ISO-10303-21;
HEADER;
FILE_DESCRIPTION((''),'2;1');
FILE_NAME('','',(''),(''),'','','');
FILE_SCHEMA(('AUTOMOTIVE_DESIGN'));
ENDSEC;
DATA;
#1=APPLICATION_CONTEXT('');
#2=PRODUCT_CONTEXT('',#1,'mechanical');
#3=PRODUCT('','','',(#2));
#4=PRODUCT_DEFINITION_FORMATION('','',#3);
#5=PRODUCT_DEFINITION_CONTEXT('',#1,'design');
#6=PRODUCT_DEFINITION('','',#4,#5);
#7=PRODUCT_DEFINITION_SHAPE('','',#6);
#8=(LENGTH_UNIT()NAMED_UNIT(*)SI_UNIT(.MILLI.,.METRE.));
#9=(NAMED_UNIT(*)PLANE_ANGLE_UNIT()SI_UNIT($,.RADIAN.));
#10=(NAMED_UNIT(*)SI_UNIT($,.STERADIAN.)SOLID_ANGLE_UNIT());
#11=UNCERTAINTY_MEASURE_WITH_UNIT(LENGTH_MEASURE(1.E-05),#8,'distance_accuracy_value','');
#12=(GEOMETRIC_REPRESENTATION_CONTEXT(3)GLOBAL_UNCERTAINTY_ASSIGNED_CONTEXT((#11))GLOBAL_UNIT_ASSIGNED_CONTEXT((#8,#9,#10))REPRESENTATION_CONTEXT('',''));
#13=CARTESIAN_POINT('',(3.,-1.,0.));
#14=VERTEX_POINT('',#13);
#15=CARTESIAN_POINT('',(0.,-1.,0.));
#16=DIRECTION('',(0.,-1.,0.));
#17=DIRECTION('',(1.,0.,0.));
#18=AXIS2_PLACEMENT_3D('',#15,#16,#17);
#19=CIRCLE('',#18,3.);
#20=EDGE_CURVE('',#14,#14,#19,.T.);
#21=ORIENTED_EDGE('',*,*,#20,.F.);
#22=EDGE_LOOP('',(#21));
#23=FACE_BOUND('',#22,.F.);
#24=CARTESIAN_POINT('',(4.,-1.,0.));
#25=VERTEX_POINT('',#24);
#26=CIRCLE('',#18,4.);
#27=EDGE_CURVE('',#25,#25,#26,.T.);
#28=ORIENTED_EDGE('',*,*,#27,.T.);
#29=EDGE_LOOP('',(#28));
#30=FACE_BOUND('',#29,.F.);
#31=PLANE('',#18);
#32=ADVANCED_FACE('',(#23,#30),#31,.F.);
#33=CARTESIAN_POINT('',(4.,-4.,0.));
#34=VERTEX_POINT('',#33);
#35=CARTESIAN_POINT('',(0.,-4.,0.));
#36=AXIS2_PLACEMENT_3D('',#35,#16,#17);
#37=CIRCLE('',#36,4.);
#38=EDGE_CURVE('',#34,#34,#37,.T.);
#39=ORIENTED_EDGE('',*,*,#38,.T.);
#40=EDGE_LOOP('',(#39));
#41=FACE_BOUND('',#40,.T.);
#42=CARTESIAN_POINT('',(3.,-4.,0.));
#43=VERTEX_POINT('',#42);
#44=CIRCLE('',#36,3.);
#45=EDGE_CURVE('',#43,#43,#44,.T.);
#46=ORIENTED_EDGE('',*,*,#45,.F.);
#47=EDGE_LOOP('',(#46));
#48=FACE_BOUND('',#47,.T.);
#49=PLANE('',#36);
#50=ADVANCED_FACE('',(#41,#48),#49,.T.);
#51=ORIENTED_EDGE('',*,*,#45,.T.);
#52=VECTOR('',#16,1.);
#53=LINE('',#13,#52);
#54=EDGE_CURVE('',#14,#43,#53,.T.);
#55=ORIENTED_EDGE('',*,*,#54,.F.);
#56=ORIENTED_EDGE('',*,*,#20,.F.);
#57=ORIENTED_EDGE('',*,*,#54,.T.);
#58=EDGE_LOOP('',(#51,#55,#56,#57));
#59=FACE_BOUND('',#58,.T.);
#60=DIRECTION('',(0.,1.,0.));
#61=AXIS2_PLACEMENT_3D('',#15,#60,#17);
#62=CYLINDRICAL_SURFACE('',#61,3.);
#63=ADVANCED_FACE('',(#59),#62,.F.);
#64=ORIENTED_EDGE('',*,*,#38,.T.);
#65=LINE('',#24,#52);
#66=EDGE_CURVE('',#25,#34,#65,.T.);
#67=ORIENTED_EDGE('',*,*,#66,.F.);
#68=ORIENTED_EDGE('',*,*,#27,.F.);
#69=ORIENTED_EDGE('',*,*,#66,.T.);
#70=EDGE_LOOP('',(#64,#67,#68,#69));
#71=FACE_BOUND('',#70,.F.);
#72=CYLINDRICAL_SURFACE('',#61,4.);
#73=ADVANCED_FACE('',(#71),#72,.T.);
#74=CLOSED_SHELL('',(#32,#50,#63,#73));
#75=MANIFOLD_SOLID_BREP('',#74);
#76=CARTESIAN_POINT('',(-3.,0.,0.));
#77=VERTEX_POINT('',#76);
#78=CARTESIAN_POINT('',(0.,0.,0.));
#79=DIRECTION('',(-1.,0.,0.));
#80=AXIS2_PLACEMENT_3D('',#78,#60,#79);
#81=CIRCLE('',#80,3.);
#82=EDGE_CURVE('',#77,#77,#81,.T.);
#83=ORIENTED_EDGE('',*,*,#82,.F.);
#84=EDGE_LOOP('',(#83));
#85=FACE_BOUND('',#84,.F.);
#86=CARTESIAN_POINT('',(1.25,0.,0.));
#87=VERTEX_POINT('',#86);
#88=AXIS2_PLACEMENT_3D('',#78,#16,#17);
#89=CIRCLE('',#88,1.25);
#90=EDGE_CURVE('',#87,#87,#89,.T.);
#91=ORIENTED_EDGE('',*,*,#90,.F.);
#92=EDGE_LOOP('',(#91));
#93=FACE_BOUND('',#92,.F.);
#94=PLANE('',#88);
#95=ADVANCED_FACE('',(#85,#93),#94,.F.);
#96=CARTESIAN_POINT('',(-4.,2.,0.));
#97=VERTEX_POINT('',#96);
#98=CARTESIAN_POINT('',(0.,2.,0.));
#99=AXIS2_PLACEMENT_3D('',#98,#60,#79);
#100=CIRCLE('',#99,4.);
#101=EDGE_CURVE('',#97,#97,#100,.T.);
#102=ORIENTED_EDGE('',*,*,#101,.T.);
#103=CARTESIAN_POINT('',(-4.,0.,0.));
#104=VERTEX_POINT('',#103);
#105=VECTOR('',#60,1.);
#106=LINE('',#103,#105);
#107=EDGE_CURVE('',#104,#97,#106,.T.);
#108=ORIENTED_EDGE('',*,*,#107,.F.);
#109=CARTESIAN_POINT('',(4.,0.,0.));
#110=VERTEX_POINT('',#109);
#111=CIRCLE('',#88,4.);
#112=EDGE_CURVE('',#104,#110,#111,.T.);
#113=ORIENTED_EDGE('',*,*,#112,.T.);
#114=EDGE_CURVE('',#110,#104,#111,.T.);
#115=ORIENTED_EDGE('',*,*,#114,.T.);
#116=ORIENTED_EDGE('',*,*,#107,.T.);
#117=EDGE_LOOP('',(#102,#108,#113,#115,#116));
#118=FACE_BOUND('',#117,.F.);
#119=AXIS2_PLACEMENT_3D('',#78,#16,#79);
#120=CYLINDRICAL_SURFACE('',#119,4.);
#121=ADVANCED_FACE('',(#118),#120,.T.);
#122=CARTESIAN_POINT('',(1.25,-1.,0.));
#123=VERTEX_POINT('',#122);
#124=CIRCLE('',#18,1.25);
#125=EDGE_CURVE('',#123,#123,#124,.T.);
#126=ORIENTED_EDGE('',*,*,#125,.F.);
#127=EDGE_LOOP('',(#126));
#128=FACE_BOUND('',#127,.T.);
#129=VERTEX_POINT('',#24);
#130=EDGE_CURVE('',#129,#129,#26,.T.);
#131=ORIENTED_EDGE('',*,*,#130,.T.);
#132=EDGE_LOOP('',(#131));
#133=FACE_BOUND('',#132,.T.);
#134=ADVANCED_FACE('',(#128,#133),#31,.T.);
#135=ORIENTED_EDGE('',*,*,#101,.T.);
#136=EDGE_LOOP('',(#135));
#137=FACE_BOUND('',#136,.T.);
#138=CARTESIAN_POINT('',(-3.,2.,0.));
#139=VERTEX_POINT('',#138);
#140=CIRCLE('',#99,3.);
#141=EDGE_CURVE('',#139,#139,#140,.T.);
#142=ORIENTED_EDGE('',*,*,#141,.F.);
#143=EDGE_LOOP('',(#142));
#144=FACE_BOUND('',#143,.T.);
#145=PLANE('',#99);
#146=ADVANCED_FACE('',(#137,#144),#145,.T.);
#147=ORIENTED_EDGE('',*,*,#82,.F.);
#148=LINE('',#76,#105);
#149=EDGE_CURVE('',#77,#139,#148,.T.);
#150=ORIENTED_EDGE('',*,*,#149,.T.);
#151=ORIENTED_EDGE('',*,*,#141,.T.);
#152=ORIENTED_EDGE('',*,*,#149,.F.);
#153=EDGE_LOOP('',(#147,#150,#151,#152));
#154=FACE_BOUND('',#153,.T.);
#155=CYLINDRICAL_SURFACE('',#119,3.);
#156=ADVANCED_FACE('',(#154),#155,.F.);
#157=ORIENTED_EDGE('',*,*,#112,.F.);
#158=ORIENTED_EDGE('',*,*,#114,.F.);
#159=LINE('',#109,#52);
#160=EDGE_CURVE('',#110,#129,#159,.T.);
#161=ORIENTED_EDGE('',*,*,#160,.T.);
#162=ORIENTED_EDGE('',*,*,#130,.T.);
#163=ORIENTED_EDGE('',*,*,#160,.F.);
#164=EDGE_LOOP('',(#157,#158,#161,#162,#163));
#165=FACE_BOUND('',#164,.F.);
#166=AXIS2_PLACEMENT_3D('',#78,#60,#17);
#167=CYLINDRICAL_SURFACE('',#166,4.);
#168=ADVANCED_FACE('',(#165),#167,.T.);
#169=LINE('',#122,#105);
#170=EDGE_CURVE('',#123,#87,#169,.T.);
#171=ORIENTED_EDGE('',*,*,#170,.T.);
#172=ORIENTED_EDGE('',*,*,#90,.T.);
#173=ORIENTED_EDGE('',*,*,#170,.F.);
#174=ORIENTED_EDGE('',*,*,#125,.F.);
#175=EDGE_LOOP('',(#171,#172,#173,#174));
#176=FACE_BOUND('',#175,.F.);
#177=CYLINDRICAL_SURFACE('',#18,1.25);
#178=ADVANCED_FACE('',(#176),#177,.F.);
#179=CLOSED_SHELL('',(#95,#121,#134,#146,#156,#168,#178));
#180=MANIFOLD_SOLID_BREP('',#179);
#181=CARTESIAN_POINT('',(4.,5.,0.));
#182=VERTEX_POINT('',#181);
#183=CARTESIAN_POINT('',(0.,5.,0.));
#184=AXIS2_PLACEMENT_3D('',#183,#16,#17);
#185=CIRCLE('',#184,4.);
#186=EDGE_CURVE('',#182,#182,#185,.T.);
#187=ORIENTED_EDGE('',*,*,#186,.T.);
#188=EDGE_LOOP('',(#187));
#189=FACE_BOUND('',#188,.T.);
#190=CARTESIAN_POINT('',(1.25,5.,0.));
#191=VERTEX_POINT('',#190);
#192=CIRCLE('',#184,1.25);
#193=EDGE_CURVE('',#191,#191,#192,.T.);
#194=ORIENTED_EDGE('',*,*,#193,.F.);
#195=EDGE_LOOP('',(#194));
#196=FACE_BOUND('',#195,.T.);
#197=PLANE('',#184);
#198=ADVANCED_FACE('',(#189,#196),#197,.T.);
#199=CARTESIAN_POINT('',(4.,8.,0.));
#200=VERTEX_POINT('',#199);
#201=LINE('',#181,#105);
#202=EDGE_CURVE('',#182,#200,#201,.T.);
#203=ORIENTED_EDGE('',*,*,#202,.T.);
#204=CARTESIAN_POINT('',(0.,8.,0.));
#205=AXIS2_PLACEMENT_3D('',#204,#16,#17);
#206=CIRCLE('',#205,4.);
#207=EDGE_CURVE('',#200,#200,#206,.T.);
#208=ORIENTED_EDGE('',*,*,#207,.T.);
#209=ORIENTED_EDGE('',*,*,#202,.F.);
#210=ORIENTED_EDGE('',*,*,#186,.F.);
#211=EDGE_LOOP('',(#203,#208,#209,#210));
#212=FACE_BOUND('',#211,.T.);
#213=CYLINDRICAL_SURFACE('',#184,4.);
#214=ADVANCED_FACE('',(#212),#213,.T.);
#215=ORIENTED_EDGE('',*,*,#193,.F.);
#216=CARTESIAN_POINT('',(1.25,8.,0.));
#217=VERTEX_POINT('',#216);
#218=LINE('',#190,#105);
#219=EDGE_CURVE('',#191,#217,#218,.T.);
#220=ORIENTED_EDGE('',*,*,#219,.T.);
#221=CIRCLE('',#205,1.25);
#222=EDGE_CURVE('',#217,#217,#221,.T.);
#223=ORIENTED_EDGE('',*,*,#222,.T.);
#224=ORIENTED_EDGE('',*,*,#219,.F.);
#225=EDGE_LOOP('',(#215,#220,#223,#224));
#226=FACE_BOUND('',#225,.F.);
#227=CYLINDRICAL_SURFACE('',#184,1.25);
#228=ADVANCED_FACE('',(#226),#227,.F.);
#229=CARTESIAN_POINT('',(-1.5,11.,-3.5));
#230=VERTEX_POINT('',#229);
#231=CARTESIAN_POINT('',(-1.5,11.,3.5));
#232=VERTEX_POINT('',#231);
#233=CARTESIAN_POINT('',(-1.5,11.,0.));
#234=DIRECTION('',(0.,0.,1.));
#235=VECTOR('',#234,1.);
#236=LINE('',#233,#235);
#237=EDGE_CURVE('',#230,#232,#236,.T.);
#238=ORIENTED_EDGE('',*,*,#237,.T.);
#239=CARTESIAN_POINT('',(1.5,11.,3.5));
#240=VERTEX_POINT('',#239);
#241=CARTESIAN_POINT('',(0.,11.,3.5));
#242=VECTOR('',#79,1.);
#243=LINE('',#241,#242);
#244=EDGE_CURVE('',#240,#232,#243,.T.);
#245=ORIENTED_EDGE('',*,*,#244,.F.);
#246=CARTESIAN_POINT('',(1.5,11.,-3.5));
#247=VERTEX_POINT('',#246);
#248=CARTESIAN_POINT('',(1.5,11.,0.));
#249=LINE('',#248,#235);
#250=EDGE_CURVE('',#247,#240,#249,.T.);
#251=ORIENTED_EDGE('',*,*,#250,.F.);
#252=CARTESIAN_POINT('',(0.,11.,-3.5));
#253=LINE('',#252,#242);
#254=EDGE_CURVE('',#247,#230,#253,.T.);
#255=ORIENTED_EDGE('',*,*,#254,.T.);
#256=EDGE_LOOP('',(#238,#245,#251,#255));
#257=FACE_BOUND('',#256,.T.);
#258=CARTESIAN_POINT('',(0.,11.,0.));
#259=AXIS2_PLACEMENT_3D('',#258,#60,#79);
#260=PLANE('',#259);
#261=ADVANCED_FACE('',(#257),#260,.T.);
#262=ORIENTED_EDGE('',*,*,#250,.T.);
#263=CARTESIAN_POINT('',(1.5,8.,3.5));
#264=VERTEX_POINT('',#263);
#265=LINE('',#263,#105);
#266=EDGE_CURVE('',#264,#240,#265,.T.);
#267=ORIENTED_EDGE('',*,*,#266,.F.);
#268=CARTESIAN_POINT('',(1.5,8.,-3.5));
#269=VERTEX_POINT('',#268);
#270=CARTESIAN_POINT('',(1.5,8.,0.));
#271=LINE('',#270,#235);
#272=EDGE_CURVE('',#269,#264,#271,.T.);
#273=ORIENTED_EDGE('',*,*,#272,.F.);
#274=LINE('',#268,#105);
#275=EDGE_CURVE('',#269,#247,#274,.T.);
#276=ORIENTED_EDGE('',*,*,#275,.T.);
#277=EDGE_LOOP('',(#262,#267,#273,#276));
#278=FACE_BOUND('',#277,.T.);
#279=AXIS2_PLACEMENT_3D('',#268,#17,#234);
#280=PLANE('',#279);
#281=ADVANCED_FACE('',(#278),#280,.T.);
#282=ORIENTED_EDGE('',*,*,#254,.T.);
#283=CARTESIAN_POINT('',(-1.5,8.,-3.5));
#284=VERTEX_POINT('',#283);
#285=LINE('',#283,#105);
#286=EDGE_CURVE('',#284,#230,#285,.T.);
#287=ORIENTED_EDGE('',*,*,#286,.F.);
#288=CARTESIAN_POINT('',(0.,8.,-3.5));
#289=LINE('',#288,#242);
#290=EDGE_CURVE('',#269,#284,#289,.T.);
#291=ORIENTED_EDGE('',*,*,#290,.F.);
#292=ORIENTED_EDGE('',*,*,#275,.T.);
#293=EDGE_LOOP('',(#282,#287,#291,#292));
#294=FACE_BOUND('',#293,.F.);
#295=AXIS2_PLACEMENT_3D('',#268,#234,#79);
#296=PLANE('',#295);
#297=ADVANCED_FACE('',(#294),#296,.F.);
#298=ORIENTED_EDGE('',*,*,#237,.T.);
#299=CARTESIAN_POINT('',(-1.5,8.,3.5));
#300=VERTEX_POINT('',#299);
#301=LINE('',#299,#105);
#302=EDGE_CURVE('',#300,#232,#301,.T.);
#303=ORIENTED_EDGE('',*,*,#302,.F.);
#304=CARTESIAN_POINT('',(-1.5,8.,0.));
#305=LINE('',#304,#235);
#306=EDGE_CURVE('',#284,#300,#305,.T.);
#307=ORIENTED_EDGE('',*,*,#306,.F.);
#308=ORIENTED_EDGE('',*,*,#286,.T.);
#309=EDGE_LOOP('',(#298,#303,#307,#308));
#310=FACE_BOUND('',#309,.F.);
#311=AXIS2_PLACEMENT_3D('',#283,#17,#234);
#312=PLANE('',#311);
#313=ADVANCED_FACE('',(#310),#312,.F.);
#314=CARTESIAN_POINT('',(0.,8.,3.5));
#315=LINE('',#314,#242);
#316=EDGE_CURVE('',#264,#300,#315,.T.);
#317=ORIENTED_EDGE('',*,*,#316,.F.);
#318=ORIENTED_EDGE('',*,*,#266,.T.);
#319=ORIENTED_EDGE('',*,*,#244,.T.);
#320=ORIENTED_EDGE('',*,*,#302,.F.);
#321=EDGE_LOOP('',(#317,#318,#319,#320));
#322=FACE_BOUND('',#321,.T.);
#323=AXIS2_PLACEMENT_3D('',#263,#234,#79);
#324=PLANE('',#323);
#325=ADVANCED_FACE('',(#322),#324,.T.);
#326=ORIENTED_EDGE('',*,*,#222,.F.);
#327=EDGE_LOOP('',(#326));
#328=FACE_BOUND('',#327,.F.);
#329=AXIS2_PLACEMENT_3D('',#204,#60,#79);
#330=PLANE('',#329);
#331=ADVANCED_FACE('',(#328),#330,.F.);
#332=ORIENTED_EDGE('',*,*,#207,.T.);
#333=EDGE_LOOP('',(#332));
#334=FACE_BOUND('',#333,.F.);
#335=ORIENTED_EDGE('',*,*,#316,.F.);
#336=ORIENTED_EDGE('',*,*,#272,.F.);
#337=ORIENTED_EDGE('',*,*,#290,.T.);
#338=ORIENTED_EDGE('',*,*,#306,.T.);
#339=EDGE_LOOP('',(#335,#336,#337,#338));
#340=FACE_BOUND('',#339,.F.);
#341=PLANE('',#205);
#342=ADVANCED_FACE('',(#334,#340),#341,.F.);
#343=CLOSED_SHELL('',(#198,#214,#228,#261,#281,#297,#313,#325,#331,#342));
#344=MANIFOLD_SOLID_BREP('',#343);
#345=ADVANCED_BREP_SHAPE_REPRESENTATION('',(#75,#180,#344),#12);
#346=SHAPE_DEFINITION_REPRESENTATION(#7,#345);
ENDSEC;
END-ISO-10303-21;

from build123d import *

# Parameters (mm, degrees)
F0_R      = 4
F1_DEPTH  = 1
F2_R      = 4
F2_R_2    = 3
F3_DEPTH  = 2
F4_R      = 1.25
F5_DEPTH  = 25
F6_R      = 4
F6_R_2    = 3
F7_DEPTH  = 3
F9_R      = 4
F10_DEPTH = 3
F12_R     = 1.25
F13_DEPTH = 3
F14_W     = 3
F14_H     = 7
F15_DEPTH = 3


with BuildPart() as f1:
    # F0 (on Front) → F1 (new body)
    with BuildSketch(Plane.XZ):
        Circle(F0_R)
    extrude(amount=F1_DEPTH)

    # F2 (on face) → F3 (join)
    with BuildSketch(Plane(origin=(0, 0, 0), x_dir=(-1, 0, 0), z_dir=(0, 1, 0))):
        Circle(F2_R)
        Circle(F2_R_2, mode=Mode.SUBTRACT)
    extrude(amount=F3_DEPTH)

    # F4 (on face) → F5 (cut)
    with BuildSketch(Plane.XZ.offset(1)):
        Circle(F4_R)
    extrude(amount=-F5_DEPTH, mode=Mode.SUBTRACT)


with BuildPart() as f7:
    # F6 (on face) → F7 (new body)
    with BuildSketch(Plane.XZ.offset(1)):
        Circle(F6_R)
        Circle(F6_R_2, mode=Mode.SUBTRACT)
    extrude(amount=F7_DEPTH)


with BuildPart() as f10:
    # F9 (on offset) → F10 (new body)
    with BuildSketch(Plane.XZ.offset(-5)):
        Circle(F9_R)
    extrude(amount=-F10_DEPTH)

    # F12 (on offset) → F13 (cut)
    with BuildSketch(Plane.XZ.offset(-5)):
        Circle(F12_R)
    extrude(amount=-F13_DEPTH, mode=Mode.SUBTRACT)

    # F14 (on face) → F15 (join)
    with BuildSketch(Plane(origin=(0, 8, 0), x_dir=(-1, 0, 0), z_dir=(0, 1, 0))):
        Rectangle(F14_W, F14_H)
    extrude(amount=F15_DEPTH)


solid = Compound([f1.part, f7.part, f10.part])
